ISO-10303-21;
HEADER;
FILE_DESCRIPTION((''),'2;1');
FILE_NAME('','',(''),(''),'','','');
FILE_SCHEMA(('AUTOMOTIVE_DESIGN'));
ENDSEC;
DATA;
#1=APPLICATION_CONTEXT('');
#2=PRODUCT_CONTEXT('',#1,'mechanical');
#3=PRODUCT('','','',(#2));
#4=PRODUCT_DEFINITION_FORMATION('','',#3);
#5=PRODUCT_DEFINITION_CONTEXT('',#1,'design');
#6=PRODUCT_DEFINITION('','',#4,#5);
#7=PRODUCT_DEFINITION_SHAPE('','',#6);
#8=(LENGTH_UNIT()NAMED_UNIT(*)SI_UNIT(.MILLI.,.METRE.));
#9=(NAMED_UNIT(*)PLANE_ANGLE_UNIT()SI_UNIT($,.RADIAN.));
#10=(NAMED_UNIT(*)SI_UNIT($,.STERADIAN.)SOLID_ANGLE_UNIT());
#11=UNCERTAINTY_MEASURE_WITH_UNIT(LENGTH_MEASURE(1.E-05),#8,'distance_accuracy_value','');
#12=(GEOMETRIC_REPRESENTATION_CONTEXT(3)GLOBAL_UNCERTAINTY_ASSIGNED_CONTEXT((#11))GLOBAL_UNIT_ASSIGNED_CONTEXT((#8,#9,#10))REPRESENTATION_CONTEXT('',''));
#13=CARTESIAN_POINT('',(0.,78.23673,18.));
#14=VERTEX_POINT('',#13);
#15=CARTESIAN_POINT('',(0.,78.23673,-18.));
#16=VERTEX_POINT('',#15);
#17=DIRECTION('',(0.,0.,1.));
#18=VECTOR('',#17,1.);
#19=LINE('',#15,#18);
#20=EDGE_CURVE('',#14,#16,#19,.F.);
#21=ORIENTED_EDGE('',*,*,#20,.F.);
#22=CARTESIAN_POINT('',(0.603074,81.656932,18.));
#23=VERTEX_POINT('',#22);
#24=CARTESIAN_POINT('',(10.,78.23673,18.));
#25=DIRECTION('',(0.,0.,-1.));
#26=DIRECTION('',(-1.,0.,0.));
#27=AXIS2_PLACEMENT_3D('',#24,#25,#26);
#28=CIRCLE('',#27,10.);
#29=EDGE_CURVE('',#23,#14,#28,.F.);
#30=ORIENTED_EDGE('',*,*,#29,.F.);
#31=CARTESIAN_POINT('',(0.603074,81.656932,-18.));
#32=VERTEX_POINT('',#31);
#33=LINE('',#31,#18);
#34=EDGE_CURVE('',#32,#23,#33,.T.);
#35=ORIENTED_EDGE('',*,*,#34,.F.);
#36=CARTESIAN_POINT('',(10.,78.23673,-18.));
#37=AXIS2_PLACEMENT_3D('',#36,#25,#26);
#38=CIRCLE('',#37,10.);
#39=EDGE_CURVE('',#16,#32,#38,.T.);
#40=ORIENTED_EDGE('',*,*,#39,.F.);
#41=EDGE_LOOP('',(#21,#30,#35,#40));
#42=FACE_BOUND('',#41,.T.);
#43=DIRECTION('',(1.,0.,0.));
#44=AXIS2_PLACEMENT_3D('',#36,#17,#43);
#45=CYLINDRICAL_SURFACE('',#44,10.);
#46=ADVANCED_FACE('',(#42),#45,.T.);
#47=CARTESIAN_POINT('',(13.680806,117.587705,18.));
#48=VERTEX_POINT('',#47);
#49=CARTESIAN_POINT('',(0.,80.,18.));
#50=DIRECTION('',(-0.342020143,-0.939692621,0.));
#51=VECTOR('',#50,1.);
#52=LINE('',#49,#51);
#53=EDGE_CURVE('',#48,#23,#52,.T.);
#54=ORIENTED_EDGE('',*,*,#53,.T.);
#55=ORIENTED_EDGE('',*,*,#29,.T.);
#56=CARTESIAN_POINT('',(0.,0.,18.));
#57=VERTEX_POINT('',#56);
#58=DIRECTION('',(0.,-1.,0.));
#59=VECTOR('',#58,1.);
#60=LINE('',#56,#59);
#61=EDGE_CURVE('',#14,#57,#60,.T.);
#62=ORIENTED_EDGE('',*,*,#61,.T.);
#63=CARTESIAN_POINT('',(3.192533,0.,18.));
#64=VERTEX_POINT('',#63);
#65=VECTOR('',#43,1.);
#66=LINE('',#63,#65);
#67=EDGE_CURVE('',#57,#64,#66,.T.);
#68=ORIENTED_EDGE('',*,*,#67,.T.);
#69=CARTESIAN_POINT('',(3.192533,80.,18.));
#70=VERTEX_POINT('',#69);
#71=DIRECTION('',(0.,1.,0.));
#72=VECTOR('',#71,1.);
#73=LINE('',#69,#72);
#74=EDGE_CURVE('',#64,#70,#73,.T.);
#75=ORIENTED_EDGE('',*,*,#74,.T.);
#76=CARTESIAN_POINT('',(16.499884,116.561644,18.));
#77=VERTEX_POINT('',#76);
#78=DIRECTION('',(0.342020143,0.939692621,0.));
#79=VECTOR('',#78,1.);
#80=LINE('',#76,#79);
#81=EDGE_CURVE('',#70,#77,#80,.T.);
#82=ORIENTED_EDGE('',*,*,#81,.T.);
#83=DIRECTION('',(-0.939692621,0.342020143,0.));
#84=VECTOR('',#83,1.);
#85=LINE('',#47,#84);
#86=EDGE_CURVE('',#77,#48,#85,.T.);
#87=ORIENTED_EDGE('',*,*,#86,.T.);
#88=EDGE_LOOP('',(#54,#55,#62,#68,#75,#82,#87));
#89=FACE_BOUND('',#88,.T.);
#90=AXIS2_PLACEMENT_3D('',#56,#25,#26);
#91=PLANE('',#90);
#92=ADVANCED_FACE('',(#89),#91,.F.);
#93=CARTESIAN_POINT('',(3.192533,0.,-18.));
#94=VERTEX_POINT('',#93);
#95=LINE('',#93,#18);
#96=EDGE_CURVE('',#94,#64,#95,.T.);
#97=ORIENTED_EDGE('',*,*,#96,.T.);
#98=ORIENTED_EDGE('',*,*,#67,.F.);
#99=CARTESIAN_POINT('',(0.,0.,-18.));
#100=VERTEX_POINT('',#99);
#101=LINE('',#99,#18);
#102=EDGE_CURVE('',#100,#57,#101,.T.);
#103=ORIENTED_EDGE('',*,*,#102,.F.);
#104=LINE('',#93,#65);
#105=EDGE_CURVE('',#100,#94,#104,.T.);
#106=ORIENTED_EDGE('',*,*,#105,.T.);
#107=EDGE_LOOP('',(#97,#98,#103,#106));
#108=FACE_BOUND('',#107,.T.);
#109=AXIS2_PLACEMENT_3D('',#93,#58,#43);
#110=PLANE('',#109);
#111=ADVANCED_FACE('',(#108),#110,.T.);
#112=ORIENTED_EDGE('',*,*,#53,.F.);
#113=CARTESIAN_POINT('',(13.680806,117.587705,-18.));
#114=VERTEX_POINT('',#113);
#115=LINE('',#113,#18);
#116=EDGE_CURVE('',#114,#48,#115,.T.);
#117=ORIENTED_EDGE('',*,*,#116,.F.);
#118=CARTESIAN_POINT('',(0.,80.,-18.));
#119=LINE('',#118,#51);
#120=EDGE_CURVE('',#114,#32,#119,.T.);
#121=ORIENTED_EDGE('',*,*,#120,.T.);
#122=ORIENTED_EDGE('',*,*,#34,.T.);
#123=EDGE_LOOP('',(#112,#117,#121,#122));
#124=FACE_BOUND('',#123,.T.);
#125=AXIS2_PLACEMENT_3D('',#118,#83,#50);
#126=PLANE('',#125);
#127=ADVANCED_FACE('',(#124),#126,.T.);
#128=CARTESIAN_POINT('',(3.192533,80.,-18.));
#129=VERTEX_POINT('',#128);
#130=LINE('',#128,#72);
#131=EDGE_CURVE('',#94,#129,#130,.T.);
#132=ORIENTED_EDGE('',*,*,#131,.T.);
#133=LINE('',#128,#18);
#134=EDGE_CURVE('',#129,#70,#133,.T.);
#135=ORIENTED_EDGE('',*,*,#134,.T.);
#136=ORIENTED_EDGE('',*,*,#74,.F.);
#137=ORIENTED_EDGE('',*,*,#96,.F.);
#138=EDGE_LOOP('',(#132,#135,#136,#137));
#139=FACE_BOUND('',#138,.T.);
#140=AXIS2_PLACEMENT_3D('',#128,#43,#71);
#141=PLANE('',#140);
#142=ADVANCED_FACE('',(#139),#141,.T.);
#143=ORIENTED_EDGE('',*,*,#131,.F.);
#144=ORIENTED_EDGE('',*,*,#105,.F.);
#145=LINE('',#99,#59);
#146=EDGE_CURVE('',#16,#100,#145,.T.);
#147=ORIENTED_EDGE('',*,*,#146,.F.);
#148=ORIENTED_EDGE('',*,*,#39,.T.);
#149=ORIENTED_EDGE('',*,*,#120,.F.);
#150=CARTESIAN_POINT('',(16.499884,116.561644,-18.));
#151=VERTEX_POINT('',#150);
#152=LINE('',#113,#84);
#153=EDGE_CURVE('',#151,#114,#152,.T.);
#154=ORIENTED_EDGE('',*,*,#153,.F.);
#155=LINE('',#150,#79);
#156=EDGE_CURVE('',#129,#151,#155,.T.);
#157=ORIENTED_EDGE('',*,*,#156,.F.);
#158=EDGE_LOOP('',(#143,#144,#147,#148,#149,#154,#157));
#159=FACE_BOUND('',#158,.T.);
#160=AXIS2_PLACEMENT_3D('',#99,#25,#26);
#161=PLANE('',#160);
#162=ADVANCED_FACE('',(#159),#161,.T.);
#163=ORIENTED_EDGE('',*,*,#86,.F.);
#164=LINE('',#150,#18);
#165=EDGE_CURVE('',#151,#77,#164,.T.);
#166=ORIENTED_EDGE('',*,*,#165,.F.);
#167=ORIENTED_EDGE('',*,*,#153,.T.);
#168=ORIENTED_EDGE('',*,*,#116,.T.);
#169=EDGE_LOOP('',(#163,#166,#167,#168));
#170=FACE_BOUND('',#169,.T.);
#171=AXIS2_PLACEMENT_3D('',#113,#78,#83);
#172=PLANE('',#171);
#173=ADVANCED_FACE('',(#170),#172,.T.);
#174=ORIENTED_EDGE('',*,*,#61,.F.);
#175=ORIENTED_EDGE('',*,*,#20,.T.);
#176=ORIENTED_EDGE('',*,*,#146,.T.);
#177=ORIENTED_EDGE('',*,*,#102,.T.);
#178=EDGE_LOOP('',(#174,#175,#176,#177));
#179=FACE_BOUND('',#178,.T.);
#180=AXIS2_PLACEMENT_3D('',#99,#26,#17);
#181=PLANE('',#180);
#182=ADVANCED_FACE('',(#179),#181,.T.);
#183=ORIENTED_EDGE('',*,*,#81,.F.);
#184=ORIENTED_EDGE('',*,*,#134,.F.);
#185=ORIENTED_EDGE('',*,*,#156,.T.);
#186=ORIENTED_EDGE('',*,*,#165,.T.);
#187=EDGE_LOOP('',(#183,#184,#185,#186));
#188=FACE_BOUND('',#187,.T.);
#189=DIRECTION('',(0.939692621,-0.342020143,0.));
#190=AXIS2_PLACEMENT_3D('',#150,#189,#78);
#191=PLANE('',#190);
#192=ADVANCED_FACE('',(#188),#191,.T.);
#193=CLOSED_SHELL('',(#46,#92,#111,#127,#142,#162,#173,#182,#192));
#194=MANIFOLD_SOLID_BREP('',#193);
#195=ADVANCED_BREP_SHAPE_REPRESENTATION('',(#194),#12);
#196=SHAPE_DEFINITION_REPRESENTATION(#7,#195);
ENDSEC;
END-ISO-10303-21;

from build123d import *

# Parameters (mm, degrees)
BOSS_EXTRU_1_DEPTH      = 18
BOSS_EXTRU_1_DEPTH_BACK = 18
CONG_1_R                = 10


with BuildPart() as part:
    # Esquisse1 → Boss.-Extru.1 (new, two sides: drawn at the far end of the back side and taken through both)
    with BuildSketch(Plane.XY.offset(-BOSS_EXTRU_1_DEPTH_BACK)):
        Polygon((0, 0), (0, 80), (13.680805733, 117.587704831), (16.499883595, 116.561644401), (3.192533317, 80), (3.192533317, 0), align=None)
    extrude(amount=BOSS_EXTRU_1_DEPTH + BOSS_EXTRU_1_DEPTH_BACK)

    # Congé1
    cong_1_edges = [part.edges().sort_by_distance(p)[0] for p in [
        (0, 80, 0),
    ]]
    fillet(cong_1_edges, radius=CONG_1_R)


solid = part.part
